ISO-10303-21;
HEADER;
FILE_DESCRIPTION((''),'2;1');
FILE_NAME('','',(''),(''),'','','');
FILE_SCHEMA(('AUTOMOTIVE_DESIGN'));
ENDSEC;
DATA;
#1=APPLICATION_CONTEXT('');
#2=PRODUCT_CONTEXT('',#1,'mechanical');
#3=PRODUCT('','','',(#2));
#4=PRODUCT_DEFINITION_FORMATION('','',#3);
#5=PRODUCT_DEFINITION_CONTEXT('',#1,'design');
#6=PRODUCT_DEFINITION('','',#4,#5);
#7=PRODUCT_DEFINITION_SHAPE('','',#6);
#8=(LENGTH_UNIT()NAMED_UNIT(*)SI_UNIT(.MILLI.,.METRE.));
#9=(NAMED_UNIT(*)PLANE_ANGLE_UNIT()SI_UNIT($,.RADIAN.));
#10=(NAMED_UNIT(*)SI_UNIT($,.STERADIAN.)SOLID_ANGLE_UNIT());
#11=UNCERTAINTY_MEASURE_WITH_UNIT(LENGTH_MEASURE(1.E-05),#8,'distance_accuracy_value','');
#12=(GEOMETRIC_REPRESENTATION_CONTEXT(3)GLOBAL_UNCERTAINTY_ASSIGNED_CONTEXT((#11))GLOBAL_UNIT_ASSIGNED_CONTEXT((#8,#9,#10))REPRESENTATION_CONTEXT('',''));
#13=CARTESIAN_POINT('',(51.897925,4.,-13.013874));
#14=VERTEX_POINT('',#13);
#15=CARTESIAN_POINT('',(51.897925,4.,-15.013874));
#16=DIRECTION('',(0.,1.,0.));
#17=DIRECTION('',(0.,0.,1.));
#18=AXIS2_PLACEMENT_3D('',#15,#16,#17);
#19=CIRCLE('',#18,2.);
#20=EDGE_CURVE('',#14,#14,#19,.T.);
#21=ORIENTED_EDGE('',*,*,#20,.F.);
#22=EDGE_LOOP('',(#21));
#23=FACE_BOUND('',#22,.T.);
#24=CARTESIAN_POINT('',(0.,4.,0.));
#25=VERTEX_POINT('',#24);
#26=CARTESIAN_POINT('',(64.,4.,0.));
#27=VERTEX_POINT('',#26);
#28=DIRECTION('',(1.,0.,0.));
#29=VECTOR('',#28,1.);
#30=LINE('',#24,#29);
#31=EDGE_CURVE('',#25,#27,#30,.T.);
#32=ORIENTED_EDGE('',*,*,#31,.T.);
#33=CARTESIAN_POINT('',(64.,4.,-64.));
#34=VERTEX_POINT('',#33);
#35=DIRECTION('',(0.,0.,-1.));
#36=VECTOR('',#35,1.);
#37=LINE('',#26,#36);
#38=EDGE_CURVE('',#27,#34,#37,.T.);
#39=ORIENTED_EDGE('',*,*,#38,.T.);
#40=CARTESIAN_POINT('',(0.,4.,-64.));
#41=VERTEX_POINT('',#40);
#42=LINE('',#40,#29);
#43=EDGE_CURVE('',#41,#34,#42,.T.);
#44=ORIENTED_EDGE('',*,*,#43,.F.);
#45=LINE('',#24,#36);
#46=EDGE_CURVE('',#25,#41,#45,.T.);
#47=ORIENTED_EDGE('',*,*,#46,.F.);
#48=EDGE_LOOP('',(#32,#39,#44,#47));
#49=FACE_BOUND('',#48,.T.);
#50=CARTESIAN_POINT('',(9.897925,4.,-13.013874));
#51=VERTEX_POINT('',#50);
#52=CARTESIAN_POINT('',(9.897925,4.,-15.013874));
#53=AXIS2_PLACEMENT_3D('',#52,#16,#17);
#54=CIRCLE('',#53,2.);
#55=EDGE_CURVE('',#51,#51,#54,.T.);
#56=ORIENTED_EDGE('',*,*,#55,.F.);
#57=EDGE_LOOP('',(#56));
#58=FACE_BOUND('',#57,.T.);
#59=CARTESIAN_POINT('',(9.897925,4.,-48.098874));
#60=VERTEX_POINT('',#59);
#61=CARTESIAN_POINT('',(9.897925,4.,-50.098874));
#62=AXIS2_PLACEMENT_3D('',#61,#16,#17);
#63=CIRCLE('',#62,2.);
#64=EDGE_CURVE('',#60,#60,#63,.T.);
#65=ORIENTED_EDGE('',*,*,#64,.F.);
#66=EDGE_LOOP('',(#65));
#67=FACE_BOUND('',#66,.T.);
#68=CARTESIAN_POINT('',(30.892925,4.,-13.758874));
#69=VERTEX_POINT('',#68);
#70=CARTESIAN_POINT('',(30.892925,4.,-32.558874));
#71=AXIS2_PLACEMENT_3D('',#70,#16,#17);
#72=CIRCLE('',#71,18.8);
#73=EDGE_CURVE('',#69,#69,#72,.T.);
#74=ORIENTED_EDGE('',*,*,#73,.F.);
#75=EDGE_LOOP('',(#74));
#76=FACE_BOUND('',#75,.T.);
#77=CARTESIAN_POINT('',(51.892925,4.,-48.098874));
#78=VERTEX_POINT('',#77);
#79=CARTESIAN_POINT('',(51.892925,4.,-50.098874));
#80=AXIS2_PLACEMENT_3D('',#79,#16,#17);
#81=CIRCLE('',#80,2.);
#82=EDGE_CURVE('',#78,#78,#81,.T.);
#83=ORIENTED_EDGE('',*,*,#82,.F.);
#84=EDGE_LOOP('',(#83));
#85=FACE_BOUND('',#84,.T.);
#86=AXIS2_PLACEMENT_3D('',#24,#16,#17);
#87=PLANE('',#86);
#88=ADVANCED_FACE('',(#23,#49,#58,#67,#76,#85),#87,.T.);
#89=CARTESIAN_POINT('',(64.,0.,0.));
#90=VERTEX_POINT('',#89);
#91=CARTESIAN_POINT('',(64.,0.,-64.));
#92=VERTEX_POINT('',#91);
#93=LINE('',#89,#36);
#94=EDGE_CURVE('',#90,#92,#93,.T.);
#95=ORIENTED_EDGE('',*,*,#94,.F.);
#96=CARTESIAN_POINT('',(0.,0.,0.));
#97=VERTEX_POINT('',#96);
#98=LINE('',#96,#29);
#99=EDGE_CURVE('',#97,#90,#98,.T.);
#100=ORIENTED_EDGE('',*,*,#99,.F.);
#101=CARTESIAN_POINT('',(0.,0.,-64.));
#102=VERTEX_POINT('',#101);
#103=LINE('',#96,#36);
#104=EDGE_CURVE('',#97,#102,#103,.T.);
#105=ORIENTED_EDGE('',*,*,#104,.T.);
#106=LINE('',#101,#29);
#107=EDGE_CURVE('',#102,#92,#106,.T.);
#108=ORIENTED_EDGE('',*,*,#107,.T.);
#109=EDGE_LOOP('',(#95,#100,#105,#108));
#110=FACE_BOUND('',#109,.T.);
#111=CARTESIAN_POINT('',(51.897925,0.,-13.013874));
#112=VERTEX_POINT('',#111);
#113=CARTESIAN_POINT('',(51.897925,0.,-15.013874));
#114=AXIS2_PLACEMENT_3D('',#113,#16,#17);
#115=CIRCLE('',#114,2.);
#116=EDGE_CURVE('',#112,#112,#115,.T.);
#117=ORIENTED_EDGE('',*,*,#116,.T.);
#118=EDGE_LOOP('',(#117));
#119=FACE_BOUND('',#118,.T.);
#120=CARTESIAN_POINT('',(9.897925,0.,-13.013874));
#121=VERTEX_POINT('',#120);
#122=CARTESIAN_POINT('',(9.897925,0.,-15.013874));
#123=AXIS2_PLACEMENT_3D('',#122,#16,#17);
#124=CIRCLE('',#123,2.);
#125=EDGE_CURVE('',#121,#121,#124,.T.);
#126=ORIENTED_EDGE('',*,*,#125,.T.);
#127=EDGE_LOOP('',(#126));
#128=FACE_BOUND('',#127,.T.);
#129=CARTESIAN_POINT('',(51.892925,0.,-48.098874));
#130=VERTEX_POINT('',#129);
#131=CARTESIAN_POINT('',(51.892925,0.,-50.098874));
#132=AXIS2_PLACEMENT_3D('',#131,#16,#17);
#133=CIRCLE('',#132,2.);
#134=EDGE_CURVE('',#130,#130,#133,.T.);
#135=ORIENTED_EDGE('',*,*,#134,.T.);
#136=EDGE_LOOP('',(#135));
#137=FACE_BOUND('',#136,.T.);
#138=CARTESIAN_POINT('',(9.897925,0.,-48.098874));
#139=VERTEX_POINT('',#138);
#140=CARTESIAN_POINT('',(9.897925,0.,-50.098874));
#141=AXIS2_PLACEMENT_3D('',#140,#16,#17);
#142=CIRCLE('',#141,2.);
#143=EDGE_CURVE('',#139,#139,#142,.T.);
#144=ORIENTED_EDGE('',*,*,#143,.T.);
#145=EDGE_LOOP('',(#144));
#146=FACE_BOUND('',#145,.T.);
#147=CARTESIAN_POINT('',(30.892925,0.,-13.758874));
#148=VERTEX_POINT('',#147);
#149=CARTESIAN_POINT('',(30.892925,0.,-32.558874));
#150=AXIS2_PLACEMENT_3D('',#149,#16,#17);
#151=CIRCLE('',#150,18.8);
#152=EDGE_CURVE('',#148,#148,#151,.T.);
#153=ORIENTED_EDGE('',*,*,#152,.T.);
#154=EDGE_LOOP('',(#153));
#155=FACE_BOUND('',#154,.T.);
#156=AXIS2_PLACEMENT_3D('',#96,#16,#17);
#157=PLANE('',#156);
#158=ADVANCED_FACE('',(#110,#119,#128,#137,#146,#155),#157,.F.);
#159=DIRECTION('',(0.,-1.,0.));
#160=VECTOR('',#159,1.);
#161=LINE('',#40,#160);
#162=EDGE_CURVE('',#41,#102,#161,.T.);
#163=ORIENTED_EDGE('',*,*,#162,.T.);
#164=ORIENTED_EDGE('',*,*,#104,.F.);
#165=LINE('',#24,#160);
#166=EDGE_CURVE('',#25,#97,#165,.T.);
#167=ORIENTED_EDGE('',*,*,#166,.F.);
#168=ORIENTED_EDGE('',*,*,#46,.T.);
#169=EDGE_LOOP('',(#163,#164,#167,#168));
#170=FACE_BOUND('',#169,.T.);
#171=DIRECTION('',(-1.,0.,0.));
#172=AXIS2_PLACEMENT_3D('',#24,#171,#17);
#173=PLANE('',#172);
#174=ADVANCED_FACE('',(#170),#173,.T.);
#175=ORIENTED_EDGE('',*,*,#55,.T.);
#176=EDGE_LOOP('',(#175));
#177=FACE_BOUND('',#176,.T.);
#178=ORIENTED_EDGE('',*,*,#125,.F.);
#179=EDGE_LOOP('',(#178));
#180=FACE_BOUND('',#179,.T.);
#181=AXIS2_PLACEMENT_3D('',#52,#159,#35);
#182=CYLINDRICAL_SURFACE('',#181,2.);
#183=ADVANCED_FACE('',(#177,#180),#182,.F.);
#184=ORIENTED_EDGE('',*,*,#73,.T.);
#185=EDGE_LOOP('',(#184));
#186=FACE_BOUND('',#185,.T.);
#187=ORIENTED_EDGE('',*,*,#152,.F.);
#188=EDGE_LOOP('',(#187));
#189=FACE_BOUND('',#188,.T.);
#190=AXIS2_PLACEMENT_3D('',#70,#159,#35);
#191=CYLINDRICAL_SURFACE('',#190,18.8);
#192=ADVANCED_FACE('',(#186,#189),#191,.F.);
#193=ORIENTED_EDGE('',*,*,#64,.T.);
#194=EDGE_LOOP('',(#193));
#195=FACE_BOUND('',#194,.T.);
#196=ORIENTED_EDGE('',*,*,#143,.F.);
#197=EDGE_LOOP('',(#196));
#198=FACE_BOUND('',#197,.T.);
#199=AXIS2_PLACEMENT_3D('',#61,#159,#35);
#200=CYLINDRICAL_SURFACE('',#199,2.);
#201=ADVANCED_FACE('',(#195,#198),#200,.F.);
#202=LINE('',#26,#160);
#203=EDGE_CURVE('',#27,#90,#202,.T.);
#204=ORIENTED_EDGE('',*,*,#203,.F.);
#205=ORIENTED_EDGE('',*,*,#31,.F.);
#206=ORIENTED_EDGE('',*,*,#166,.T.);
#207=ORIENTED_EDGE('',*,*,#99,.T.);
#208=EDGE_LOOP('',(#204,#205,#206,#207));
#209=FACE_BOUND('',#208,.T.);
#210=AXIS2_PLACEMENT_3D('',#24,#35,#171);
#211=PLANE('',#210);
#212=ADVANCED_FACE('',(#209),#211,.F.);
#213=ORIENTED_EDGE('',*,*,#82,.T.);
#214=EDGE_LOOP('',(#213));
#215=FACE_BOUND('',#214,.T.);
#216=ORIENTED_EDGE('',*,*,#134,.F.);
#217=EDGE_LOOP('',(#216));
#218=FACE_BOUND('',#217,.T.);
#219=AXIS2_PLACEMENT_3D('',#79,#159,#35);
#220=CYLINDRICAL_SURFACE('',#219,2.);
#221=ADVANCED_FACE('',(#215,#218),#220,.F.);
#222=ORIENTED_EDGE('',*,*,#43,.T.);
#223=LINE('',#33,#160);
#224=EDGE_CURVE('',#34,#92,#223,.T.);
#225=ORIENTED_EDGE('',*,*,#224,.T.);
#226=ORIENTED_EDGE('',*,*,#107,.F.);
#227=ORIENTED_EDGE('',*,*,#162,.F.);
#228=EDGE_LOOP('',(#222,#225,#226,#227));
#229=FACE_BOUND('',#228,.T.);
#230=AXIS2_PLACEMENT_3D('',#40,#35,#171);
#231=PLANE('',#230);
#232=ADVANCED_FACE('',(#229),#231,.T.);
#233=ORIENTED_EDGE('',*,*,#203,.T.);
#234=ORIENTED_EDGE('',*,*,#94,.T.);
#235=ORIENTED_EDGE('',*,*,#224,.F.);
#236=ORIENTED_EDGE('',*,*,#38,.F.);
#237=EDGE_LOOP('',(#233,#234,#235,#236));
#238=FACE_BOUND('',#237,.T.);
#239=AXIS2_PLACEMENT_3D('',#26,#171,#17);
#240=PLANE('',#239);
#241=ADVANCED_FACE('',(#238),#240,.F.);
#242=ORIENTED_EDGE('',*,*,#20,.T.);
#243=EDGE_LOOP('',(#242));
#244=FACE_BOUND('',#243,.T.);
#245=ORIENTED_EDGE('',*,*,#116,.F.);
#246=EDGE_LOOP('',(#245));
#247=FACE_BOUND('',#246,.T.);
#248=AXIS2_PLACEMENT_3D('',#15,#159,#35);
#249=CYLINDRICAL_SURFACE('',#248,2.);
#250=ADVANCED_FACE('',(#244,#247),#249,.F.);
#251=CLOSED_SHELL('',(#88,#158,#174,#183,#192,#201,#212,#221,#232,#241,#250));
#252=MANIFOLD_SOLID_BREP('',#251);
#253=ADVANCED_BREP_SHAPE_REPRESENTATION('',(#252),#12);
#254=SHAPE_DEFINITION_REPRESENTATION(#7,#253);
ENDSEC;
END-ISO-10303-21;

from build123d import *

# Parameters (mm, degrees)
SKETCH1_W           = 64
SKETCH1_H           = 64
SKETCH1_R           = 18.8
SKETCH1_R_2         = 2
BOSS_EXTRUDE4_DEPTH = 4


with BuildPart() as part:
    # Sketch1 → Boss-Extrude4 (new body)
    with BuildSketch(Plane(origin=(0, 0, 0), x_dir=(1, 0, 0), z_dir=(0, 1, 0))):
        with Locations((32, 32)):
            Rectangle(SKETCH1_W, SKETCH1_H)
        with Locations(Location((30.89292515, 32.55887383, 0), (0, 0, 270))):
            Circle(SKETCH1_R, mode=Mode.SUBTRACT)
        with Locations(Location((9.89792515, 15.01387383, 0), (0, 0, 270))):
            Circle(SKETCH1_R_2, mode=Mode.SUBTRACT)
        with Locations(Location((51.89792515, 15.01387383, 0), (0, 0, 270))):
            Circle(SKETCH1_R_2, mode=Mode.SUBTRACT)
        with Locations(Location((9.89792515, 50.09887383, 0), (0, 0, 270))):
            Circle(SKETCH1_R_2, mode=Mode.SUBTRACT)
        with Locations(Location((51.89292515, 50.09887383, 0), (0, 0, 270))):
            Circle(SKETCH1_R_2, mode=Mode.SUBTRACT)
    extrude(amount=BOSS_EXTRUDE4_DEPTH)


solid = part.part
